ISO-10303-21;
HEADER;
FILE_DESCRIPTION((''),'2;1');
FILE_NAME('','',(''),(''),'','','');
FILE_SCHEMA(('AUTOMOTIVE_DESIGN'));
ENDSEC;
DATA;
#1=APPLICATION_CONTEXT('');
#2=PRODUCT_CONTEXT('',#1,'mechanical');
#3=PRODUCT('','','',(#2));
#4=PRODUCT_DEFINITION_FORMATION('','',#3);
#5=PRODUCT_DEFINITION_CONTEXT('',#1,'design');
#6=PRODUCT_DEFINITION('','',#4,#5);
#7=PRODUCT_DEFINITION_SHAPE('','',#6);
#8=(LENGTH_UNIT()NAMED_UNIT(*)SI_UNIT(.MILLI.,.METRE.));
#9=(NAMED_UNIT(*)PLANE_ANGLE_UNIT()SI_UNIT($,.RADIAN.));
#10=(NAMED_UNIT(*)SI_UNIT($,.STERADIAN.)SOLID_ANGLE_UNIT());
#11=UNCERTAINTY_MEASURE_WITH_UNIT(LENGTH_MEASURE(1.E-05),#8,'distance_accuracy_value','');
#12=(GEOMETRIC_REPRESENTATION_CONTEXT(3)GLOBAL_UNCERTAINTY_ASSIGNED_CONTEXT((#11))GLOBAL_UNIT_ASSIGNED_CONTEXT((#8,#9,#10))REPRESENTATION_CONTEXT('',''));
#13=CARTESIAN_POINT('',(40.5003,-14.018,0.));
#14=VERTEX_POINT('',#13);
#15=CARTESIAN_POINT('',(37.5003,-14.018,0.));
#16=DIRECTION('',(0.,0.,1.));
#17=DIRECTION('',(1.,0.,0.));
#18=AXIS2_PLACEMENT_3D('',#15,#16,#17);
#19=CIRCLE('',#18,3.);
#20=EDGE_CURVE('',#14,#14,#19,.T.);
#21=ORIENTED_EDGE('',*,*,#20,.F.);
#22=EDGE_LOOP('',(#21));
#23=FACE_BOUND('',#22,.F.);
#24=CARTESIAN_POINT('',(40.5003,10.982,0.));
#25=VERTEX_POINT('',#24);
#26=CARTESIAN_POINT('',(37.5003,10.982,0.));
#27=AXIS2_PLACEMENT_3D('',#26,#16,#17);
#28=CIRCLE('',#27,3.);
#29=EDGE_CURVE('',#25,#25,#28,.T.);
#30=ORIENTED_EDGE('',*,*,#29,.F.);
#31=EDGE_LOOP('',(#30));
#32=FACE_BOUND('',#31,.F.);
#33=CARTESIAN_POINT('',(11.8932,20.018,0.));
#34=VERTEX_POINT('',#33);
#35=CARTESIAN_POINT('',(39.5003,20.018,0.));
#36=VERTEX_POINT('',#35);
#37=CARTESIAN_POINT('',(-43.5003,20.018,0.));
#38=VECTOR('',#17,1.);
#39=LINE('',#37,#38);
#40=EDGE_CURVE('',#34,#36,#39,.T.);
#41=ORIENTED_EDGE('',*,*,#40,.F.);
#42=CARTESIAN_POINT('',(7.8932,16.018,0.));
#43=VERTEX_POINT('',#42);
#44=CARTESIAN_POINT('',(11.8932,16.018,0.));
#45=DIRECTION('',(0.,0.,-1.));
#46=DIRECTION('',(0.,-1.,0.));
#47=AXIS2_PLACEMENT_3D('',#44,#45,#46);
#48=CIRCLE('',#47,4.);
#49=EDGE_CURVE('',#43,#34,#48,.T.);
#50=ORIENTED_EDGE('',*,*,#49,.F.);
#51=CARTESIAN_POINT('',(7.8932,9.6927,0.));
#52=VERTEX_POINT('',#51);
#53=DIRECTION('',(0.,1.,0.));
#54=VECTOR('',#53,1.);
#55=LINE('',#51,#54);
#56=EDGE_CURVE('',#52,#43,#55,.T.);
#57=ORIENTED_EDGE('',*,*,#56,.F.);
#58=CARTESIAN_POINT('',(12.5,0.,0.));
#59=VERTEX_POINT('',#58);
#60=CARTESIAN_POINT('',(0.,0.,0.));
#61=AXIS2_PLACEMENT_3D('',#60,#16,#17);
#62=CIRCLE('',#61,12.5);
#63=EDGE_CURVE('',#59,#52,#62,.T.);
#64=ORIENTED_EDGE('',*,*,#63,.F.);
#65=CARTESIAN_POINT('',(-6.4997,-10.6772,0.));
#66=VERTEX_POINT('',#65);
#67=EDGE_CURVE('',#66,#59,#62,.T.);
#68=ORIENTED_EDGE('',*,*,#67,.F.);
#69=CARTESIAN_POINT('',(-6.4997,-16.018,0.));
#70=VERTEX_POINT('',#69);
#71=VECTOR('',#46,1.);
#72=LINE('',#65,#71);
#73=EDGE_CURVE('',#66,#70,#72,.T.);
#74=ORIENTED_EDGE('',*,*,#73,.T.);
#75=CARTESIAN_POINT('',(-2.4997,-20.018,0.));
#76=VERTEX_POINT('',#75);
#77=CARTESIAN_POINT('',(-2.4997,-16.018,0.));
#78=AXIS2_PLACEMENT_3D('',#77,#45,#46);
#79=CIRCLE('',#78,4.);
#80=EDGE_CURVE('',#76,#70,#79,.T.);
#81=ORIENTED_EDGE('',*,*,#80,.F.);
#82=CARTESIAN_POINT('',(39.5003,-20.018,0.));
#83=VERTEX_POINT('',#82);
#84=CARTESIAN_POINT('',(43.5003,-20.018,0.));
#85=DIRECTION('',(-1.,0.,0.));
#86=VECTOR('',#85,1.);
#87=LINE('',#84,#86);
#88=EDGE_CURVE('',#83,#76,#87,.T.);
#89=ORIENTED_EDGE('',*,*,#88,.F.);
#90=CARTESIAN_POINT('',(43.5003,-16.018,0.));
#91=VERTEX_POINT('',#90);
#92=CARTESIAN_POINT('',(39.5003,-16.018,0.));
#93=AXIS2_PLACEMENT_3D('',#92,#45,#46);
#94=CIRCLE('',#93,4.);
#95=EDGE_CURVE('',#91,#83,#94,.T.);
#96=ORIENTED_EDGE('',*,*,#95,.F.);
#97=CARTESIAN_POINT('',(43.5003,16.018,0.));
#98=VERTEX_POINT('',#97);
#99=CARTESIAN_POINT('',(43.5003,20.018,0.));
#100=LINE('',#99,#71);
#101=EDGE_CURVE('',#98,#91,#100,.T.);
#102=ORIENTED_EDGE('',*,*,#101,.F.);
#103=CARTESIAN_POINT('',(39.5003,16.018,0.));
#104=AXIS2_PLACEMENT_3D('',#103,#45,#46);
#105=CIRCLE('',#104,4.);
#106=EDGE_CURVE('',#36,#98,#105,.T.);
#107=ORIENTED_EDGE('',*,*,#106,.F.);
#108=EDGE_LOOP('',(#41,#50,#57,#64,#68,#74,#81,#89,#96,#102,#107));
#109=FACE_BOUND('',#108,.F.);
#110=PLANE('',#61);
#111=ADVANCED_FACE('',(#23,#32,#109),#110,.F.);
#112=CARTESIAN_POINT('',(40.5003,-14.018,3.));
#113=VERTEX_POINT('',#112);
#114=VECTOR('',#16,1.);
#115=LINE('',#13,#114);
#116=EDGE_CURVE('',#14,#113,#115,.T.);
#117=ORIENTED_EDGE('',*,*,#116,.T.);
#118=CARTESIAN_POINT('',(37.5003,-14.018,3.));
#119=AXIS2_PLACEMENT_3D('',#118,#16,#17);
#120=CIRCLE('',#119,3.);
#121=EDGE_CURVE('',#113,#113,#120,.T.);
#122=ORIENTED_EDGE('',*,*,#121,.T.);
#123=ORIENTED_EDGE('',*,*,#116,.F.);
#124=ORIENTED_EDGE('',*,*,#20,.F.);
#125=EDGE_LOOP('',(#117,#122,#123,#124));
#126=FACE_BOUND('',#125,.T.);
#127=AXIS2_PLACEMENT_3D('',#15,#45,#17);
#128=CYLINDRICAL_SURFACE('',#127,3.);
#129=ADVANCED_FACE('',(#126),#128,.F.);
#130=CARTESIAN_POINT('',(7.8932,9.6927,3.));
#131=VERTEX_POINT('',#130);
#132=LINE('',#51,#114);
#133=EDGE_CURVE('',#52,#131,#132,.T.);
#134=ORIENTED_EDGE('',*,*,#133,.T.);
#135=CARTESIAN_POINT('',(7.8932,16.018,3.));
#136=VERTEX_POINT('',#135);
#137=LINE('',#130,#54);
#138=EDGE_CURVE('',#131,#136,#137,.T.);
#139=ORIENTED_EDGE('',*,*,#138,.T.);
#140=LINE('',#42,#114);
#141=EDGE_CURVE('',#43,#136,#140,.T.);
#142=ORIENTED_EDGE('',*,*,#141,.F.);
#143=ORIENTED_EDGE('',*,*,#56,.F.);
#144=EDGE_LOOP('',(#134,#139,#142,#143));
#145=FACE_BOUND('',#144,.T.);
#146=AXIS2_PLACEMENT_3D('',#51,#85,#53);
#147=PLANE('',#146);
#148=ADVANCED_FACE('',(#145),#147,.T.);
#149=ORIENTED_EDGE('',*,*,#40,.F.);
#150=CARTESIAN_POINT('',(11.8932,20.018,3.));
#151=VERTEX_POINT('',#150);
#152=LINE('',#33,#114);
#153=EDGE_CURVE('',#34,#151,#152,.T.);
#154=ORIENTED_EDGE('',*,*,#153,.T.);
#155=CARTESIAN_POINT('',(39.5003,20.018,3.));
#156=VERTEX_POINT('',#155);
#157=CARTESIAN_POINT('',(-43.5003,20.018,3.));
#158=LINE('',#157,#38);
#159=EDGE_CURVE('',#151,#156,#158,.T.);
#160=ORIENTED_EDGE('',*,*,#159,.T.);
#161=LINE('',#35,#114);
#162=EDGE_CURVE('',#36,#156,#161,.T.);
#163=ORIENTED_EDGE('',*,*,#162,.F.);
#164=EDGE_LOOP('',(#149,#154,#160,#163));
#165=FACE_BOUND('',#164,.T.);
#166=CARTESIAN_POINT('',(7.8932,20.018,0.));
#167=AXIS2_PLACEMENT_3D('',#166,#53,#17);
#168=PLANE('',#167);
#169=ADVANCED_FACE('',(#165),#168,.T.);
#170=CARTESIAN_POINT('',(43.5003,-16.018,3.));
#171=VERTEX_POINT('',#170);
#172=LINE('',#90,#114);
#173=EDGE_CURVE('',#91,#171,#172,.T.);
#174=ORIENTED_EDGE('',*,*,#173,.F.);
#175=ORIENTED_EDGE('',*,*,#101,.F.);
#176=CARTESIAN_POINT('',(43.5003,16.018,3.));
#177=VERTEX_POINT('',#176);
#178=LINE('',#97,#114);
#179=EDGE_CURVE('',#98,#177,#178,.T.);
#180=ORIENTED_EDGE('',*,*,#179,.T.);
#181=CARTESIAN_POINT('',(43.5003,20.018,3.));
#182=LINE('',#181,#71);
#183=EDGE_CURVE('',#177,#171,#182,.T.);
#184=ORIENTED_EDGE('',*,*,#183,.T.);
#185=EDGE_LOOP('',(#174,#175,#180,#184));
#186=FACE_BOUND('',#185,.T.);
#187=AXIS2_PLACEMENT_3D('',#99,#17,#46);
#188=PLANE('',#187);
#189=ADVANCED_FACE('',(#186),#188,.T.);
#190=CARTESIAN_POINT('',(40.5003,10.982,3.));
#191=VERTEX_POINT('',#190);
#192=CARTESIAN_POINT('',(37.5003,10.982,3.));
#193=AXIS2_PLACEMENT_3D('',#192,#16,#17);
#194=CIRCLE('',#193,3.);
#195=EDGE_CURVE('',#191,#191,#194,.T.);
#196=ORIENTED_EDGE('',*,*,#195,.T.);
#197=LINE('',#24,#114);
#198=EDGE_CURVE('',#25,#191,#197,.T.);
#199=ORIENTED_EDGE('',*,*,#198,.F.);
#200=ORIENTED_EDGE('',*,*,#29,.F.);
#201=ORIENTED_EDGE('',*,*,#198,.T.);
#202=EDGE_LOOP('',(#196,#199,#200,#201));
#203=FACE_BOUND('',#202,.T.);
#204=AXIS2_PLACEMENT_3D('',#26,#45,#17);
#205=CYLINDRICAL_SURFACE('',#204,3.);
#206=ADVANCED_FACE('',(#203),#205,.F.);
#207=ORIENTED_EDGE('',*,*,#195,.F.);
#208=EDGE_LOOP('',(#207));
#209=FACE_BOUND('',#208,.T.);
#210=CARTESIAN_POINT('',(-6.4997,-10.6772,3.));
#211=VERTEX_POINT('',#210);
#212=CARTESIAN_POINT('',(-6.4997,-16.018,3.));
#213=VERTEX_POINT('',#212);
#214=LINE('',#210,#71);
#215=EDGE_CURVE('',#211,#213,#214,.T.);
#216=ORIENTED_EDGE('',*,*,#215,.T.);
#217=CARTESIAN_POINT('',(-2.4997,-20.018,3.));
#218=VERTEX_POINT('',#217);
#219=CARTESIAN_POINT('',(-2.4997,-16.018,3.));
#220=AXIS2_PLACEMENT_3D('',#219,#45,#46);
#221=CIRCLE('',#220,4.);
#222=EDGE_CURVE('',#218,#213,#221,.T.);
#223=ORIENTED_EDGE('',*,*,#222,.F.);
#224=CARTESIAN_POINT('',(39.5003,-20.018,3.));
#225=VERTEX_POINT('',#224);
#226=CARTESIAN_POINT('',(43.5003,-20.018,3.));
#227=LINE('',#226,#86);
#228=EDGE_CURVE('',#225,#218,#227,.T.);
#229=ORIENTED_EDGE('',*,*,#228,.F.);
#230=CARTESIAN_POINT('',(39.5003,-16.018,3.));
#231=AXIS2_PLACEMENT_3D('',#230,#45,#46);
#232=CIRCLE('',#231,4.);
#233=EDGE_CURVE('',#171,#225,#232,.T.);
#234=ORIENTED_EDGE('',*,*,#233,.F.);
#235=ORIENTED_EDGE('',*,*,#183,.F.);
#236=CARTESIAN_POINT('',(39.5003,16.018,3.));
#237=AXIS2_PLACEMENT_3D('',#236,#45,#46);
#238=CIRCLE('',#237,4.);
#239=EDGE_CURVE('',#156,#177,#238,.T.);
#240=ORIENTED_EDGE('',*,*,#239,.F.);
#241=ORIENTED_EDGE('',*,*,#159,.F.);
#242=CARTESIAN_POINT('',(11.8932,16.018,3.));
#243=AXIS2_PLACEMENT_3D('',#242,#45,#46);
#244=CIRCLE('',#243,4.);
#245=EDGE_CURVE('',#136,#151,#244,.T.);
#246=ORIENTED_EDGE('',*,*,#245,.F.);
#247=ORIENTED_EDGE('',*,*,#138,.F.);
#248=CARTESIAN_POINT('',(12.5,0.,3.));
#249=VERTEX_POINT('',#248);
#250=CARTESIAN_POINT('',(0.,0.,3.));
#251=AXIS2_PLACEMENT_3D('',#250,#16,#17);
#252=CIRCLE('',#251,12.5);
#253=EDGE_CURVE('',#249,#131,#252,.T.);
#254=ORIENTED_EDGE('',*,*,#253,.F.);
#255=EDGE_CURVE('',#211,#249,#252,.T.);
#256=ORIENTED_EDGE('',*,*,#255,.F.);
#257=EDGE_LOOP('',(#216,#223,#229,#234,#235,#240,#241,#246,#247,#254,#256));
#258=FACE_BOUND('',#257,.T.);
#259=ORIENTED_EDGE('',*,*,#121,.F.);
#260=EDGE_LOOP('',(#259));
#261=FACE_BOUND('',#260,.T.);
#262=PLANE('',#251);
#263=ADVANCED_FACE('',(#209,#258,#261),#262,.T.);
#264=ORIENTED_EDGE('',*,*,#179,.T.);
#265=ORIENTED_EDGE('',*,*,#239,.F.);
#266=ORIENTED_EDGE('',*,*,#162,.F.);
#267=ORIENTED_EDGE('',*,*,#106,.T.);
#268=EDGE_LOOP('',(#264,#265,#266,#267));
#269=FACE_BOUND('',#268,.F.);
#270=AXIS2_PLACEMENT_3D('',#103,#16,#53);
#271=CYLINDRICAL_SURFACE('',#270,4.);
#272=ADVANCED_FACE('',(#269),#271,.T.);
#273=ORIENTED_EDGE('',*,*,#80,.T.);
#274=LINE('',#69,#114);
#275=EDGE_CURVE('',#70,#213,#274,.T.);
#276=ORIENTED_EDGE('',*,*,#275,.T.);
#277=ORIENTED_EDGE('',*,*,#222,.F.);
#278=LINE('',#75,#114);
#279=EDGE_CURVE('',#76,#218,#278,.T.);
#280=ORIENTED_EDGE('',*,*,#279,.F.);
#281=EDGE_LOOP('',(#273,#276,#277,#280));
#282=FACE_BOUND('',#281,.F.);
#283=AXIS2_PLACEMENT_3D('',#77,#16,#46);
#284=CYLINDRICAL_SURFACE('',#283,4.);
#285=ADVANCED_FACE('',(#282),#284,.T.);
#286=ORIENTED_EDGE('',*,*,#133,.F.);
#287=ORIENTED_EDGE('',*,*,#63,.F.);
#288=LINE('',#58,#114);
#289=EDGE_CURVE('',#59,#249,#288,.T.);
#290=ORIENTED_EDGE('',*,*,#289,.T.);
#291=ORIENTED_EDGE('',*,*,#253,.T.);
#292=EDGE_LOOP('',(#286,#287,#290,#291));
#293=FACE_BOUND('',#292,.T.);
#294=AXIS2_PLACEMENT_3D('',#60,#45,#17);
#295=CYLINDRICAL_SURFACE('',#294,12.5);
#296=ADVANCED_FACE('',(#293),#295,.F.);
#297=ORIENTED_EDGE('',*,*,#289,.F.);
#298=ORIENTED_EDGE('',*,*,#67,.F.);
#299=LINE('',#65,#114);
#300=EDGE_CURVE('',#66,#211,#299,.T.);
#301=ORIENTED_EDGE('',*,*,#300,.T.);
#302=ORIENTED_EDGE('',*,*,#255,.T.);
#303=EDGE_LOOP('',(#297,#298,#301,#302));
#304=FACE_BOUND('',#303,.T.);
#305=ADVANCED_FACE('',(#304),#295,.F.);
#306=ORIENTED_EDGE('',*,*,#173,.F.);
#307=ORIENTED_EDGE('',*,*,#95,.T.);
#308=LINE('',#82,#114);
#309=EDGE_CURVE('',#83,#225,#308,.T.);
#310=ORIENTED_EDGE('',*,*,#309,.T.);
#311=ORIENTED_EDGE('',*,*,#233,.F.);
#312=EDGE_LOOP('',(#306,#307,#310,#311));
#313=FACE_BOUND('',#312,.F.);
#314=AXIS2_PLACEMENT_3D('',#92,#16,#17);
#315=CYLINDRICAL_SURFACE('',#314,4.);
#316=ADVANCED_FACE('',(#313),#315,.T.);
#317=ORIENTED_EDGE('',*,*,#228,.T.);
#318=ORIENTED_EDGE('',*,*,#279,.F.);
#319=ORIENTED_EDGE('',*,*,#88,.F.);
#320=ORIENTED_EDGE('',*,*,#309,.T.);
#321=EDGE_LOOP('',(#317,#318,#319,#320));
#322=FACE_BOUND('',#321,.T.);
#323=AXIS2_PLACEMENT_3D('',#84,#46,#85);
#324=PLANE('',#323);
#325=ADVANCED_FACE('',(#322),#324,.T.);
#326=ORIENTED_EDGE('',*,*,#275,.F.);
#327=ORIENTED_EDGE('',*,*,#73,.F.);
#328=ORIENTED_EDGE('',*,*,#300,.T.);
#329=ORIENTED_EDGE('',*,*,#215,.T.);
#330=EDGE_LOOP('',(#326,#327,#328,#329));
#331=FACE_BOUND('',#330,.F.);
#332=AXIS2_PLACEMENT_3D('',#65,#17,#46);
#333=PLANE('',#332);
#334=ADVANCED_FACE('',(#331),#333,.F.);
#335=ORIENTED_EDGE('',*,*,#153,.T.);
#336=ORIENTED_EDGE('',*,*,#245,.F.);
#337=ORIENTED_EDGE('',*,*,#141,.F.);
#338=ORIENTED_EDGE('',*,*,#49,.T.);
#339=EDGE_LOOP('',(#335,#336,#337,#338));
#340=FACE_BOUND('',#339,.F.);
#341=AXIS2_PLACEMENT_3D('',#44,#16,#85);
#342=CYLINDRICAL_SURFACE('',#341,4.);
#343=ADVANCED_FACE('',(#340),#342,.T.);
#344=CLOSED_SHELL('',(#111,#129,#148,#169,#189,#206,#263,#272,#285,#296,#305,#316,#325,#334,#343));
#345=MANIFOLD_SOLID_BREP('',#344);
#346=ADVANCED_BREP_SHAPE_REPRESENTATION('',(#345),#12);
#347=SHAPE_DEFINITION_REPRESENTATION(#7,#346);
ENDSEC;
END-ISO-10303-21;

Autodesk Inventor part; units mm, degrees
ref_plane "YZ Plane" through (0, 0, 0) normal (1, 0, 0) x (0, 1, 0)
ref_plane "XZ Plane" through (0, 0, 0) normal (0, 1, 0) x (-1, 0, 0)
ref_plane "XY Plane" through (0, 0, 0) normal (0, 0, 1) x (1, 0, 0)
sketch "Sketch1" plane through (0, 0, 0) normal (0, 0, 1) x (1, 0, 0)
  circle A0 centre (0, 0) radius 12.5
  line L0 (-43.5003, 20.018) -> (43.5003, 20.018)
  line L1 (43.5003, 20.018) -> (43.5003, -20.018)
  line L2 (43.5003, -20.018) -> (-43.5003, -20.018)
  line L3 (-43.5003, -20.018) -> (-43.5003, 20.018) construction
  line L4 (-43.5003, 20.018) -> (43.5003, -20.018) construction
  line L5 (43.5003, 20.018) -> (-43.5003, -20.018) construction
  line L6 (7.8932, 9.6927) -> (7.8932, 20.018)
  line L7 (-6.4997, -10.6772) -> (-6.4997, -20.018)
  circle A1 centre (37.5003, 10.982) radius 3.5 construction
  circle A2 centre (37.5003, -14.018) radius 3.5 construction
  circle A3 centre (37.5003, 10.982) radius 3
  circle A4 centre (37.5003, -14.018) radius 3
  dimension "d0" = 25
  dimension "d6" = 50
  dimension "d7" = 6
  dimension "d8" = 6
  dimension "d9" = 6
  dimension "d10" = 6
extrude "Extrusion1" add sketch "Sketch1" along normal blind 3 contours A0 L6 L0 L1 L2 L7
fillet "Fillet1" radius 4 4 edges at (43.5003, -20.018, 1.5) (43.5003, 20.018, 1.5) (-6.4997, -20.018, 1.5) (7.8932, 20.018, 1.5)
properties part number "domePlaceSingle"
